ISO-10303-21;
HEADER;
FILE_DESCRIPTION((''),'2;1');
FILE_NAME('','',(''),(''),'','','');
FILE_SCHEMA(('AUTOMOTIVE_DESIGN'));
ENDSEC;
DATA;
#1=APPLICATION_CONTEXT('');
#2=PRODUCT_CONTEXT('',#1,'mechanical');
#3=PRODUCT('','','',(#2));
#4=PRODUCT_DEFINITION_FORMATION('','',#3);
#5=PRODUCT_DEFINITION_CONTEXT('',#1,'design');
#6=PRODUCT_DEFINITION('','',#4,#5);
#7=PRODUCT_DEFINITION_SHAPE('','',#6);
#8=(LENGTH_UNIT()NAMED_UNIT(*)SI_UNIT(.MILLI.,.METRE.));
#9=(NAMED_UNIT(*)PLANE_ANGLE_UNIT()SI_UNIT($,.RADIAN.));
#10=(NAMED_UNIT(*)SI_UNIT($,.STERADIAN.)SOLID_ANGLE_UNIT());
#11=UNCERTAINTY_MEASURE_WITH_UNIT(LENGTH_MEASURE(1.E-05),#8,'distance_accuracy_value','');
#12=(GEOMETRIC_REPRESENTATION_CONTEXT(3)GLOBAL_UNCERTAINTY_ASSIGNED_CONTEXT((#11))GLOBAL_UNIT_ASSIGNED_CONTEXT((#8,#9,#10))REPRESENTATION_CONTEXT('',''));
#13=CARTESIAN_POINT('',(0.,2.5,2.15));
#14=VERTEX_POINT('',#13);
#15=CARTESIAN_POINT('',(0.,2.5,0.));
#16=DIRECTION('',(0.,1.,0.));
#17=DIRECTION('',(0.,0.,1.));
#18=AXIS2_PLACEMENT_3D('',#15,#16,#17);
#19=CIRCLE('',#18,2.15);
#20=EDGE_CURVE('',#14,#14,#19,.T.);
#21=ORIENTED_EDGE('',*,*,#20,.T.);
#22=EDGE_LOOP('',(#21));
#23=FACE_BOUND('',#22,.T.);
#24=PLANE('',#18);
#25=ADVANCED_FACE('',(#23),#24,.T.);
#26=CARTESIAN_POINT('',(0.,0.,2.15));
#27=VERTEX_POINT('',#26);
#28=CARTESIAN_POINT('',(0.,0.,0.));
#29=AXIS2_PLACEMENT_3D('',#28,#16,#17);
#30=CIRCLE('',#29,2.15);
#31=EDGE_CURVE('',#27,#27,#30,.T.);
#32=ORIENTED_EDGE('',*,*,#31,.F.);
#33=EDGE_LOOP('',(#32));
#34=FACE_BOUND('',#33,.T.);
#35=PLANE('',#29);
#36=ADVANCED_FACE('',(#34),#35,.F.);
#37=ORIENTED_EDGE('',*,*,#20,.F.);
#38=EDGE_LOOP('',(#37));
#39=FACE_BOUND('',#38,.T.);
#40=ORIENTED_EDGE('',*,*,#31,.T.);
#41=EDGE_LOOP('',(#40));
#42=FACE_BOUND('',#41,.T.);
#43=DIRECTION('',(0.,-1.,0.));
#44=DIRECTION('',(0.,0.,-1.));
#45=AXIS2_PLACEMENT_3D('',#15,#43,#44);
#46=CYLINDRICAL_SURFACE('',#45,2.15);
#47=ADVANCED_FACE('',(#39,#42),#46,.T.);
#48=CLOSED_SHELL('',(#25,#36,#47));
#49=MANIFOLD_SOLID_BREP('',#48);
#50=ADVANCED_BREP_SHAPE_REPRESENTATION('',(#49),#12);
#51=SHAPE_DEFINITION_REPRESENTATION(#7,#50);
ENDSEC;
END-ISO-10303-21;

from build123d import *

# Parameters (mm, degrees)
SKETCH1_R           = 2.15
BOSS_EXTRUDE1_DEPTH = 2.5


with BuildPart() as part:
    # Sketch1 → Boss-Extrude1 (new body)
    with BuildSketch(Plane(origin=(0, 0, 0), x_dir=(1, 0, 0), z_dir=(0, 1, 0))):
        Circle(SKETCH1_R)
    extrude(amount=BOSS_EXTRUDE1_DEPTH)


solid = part.part
